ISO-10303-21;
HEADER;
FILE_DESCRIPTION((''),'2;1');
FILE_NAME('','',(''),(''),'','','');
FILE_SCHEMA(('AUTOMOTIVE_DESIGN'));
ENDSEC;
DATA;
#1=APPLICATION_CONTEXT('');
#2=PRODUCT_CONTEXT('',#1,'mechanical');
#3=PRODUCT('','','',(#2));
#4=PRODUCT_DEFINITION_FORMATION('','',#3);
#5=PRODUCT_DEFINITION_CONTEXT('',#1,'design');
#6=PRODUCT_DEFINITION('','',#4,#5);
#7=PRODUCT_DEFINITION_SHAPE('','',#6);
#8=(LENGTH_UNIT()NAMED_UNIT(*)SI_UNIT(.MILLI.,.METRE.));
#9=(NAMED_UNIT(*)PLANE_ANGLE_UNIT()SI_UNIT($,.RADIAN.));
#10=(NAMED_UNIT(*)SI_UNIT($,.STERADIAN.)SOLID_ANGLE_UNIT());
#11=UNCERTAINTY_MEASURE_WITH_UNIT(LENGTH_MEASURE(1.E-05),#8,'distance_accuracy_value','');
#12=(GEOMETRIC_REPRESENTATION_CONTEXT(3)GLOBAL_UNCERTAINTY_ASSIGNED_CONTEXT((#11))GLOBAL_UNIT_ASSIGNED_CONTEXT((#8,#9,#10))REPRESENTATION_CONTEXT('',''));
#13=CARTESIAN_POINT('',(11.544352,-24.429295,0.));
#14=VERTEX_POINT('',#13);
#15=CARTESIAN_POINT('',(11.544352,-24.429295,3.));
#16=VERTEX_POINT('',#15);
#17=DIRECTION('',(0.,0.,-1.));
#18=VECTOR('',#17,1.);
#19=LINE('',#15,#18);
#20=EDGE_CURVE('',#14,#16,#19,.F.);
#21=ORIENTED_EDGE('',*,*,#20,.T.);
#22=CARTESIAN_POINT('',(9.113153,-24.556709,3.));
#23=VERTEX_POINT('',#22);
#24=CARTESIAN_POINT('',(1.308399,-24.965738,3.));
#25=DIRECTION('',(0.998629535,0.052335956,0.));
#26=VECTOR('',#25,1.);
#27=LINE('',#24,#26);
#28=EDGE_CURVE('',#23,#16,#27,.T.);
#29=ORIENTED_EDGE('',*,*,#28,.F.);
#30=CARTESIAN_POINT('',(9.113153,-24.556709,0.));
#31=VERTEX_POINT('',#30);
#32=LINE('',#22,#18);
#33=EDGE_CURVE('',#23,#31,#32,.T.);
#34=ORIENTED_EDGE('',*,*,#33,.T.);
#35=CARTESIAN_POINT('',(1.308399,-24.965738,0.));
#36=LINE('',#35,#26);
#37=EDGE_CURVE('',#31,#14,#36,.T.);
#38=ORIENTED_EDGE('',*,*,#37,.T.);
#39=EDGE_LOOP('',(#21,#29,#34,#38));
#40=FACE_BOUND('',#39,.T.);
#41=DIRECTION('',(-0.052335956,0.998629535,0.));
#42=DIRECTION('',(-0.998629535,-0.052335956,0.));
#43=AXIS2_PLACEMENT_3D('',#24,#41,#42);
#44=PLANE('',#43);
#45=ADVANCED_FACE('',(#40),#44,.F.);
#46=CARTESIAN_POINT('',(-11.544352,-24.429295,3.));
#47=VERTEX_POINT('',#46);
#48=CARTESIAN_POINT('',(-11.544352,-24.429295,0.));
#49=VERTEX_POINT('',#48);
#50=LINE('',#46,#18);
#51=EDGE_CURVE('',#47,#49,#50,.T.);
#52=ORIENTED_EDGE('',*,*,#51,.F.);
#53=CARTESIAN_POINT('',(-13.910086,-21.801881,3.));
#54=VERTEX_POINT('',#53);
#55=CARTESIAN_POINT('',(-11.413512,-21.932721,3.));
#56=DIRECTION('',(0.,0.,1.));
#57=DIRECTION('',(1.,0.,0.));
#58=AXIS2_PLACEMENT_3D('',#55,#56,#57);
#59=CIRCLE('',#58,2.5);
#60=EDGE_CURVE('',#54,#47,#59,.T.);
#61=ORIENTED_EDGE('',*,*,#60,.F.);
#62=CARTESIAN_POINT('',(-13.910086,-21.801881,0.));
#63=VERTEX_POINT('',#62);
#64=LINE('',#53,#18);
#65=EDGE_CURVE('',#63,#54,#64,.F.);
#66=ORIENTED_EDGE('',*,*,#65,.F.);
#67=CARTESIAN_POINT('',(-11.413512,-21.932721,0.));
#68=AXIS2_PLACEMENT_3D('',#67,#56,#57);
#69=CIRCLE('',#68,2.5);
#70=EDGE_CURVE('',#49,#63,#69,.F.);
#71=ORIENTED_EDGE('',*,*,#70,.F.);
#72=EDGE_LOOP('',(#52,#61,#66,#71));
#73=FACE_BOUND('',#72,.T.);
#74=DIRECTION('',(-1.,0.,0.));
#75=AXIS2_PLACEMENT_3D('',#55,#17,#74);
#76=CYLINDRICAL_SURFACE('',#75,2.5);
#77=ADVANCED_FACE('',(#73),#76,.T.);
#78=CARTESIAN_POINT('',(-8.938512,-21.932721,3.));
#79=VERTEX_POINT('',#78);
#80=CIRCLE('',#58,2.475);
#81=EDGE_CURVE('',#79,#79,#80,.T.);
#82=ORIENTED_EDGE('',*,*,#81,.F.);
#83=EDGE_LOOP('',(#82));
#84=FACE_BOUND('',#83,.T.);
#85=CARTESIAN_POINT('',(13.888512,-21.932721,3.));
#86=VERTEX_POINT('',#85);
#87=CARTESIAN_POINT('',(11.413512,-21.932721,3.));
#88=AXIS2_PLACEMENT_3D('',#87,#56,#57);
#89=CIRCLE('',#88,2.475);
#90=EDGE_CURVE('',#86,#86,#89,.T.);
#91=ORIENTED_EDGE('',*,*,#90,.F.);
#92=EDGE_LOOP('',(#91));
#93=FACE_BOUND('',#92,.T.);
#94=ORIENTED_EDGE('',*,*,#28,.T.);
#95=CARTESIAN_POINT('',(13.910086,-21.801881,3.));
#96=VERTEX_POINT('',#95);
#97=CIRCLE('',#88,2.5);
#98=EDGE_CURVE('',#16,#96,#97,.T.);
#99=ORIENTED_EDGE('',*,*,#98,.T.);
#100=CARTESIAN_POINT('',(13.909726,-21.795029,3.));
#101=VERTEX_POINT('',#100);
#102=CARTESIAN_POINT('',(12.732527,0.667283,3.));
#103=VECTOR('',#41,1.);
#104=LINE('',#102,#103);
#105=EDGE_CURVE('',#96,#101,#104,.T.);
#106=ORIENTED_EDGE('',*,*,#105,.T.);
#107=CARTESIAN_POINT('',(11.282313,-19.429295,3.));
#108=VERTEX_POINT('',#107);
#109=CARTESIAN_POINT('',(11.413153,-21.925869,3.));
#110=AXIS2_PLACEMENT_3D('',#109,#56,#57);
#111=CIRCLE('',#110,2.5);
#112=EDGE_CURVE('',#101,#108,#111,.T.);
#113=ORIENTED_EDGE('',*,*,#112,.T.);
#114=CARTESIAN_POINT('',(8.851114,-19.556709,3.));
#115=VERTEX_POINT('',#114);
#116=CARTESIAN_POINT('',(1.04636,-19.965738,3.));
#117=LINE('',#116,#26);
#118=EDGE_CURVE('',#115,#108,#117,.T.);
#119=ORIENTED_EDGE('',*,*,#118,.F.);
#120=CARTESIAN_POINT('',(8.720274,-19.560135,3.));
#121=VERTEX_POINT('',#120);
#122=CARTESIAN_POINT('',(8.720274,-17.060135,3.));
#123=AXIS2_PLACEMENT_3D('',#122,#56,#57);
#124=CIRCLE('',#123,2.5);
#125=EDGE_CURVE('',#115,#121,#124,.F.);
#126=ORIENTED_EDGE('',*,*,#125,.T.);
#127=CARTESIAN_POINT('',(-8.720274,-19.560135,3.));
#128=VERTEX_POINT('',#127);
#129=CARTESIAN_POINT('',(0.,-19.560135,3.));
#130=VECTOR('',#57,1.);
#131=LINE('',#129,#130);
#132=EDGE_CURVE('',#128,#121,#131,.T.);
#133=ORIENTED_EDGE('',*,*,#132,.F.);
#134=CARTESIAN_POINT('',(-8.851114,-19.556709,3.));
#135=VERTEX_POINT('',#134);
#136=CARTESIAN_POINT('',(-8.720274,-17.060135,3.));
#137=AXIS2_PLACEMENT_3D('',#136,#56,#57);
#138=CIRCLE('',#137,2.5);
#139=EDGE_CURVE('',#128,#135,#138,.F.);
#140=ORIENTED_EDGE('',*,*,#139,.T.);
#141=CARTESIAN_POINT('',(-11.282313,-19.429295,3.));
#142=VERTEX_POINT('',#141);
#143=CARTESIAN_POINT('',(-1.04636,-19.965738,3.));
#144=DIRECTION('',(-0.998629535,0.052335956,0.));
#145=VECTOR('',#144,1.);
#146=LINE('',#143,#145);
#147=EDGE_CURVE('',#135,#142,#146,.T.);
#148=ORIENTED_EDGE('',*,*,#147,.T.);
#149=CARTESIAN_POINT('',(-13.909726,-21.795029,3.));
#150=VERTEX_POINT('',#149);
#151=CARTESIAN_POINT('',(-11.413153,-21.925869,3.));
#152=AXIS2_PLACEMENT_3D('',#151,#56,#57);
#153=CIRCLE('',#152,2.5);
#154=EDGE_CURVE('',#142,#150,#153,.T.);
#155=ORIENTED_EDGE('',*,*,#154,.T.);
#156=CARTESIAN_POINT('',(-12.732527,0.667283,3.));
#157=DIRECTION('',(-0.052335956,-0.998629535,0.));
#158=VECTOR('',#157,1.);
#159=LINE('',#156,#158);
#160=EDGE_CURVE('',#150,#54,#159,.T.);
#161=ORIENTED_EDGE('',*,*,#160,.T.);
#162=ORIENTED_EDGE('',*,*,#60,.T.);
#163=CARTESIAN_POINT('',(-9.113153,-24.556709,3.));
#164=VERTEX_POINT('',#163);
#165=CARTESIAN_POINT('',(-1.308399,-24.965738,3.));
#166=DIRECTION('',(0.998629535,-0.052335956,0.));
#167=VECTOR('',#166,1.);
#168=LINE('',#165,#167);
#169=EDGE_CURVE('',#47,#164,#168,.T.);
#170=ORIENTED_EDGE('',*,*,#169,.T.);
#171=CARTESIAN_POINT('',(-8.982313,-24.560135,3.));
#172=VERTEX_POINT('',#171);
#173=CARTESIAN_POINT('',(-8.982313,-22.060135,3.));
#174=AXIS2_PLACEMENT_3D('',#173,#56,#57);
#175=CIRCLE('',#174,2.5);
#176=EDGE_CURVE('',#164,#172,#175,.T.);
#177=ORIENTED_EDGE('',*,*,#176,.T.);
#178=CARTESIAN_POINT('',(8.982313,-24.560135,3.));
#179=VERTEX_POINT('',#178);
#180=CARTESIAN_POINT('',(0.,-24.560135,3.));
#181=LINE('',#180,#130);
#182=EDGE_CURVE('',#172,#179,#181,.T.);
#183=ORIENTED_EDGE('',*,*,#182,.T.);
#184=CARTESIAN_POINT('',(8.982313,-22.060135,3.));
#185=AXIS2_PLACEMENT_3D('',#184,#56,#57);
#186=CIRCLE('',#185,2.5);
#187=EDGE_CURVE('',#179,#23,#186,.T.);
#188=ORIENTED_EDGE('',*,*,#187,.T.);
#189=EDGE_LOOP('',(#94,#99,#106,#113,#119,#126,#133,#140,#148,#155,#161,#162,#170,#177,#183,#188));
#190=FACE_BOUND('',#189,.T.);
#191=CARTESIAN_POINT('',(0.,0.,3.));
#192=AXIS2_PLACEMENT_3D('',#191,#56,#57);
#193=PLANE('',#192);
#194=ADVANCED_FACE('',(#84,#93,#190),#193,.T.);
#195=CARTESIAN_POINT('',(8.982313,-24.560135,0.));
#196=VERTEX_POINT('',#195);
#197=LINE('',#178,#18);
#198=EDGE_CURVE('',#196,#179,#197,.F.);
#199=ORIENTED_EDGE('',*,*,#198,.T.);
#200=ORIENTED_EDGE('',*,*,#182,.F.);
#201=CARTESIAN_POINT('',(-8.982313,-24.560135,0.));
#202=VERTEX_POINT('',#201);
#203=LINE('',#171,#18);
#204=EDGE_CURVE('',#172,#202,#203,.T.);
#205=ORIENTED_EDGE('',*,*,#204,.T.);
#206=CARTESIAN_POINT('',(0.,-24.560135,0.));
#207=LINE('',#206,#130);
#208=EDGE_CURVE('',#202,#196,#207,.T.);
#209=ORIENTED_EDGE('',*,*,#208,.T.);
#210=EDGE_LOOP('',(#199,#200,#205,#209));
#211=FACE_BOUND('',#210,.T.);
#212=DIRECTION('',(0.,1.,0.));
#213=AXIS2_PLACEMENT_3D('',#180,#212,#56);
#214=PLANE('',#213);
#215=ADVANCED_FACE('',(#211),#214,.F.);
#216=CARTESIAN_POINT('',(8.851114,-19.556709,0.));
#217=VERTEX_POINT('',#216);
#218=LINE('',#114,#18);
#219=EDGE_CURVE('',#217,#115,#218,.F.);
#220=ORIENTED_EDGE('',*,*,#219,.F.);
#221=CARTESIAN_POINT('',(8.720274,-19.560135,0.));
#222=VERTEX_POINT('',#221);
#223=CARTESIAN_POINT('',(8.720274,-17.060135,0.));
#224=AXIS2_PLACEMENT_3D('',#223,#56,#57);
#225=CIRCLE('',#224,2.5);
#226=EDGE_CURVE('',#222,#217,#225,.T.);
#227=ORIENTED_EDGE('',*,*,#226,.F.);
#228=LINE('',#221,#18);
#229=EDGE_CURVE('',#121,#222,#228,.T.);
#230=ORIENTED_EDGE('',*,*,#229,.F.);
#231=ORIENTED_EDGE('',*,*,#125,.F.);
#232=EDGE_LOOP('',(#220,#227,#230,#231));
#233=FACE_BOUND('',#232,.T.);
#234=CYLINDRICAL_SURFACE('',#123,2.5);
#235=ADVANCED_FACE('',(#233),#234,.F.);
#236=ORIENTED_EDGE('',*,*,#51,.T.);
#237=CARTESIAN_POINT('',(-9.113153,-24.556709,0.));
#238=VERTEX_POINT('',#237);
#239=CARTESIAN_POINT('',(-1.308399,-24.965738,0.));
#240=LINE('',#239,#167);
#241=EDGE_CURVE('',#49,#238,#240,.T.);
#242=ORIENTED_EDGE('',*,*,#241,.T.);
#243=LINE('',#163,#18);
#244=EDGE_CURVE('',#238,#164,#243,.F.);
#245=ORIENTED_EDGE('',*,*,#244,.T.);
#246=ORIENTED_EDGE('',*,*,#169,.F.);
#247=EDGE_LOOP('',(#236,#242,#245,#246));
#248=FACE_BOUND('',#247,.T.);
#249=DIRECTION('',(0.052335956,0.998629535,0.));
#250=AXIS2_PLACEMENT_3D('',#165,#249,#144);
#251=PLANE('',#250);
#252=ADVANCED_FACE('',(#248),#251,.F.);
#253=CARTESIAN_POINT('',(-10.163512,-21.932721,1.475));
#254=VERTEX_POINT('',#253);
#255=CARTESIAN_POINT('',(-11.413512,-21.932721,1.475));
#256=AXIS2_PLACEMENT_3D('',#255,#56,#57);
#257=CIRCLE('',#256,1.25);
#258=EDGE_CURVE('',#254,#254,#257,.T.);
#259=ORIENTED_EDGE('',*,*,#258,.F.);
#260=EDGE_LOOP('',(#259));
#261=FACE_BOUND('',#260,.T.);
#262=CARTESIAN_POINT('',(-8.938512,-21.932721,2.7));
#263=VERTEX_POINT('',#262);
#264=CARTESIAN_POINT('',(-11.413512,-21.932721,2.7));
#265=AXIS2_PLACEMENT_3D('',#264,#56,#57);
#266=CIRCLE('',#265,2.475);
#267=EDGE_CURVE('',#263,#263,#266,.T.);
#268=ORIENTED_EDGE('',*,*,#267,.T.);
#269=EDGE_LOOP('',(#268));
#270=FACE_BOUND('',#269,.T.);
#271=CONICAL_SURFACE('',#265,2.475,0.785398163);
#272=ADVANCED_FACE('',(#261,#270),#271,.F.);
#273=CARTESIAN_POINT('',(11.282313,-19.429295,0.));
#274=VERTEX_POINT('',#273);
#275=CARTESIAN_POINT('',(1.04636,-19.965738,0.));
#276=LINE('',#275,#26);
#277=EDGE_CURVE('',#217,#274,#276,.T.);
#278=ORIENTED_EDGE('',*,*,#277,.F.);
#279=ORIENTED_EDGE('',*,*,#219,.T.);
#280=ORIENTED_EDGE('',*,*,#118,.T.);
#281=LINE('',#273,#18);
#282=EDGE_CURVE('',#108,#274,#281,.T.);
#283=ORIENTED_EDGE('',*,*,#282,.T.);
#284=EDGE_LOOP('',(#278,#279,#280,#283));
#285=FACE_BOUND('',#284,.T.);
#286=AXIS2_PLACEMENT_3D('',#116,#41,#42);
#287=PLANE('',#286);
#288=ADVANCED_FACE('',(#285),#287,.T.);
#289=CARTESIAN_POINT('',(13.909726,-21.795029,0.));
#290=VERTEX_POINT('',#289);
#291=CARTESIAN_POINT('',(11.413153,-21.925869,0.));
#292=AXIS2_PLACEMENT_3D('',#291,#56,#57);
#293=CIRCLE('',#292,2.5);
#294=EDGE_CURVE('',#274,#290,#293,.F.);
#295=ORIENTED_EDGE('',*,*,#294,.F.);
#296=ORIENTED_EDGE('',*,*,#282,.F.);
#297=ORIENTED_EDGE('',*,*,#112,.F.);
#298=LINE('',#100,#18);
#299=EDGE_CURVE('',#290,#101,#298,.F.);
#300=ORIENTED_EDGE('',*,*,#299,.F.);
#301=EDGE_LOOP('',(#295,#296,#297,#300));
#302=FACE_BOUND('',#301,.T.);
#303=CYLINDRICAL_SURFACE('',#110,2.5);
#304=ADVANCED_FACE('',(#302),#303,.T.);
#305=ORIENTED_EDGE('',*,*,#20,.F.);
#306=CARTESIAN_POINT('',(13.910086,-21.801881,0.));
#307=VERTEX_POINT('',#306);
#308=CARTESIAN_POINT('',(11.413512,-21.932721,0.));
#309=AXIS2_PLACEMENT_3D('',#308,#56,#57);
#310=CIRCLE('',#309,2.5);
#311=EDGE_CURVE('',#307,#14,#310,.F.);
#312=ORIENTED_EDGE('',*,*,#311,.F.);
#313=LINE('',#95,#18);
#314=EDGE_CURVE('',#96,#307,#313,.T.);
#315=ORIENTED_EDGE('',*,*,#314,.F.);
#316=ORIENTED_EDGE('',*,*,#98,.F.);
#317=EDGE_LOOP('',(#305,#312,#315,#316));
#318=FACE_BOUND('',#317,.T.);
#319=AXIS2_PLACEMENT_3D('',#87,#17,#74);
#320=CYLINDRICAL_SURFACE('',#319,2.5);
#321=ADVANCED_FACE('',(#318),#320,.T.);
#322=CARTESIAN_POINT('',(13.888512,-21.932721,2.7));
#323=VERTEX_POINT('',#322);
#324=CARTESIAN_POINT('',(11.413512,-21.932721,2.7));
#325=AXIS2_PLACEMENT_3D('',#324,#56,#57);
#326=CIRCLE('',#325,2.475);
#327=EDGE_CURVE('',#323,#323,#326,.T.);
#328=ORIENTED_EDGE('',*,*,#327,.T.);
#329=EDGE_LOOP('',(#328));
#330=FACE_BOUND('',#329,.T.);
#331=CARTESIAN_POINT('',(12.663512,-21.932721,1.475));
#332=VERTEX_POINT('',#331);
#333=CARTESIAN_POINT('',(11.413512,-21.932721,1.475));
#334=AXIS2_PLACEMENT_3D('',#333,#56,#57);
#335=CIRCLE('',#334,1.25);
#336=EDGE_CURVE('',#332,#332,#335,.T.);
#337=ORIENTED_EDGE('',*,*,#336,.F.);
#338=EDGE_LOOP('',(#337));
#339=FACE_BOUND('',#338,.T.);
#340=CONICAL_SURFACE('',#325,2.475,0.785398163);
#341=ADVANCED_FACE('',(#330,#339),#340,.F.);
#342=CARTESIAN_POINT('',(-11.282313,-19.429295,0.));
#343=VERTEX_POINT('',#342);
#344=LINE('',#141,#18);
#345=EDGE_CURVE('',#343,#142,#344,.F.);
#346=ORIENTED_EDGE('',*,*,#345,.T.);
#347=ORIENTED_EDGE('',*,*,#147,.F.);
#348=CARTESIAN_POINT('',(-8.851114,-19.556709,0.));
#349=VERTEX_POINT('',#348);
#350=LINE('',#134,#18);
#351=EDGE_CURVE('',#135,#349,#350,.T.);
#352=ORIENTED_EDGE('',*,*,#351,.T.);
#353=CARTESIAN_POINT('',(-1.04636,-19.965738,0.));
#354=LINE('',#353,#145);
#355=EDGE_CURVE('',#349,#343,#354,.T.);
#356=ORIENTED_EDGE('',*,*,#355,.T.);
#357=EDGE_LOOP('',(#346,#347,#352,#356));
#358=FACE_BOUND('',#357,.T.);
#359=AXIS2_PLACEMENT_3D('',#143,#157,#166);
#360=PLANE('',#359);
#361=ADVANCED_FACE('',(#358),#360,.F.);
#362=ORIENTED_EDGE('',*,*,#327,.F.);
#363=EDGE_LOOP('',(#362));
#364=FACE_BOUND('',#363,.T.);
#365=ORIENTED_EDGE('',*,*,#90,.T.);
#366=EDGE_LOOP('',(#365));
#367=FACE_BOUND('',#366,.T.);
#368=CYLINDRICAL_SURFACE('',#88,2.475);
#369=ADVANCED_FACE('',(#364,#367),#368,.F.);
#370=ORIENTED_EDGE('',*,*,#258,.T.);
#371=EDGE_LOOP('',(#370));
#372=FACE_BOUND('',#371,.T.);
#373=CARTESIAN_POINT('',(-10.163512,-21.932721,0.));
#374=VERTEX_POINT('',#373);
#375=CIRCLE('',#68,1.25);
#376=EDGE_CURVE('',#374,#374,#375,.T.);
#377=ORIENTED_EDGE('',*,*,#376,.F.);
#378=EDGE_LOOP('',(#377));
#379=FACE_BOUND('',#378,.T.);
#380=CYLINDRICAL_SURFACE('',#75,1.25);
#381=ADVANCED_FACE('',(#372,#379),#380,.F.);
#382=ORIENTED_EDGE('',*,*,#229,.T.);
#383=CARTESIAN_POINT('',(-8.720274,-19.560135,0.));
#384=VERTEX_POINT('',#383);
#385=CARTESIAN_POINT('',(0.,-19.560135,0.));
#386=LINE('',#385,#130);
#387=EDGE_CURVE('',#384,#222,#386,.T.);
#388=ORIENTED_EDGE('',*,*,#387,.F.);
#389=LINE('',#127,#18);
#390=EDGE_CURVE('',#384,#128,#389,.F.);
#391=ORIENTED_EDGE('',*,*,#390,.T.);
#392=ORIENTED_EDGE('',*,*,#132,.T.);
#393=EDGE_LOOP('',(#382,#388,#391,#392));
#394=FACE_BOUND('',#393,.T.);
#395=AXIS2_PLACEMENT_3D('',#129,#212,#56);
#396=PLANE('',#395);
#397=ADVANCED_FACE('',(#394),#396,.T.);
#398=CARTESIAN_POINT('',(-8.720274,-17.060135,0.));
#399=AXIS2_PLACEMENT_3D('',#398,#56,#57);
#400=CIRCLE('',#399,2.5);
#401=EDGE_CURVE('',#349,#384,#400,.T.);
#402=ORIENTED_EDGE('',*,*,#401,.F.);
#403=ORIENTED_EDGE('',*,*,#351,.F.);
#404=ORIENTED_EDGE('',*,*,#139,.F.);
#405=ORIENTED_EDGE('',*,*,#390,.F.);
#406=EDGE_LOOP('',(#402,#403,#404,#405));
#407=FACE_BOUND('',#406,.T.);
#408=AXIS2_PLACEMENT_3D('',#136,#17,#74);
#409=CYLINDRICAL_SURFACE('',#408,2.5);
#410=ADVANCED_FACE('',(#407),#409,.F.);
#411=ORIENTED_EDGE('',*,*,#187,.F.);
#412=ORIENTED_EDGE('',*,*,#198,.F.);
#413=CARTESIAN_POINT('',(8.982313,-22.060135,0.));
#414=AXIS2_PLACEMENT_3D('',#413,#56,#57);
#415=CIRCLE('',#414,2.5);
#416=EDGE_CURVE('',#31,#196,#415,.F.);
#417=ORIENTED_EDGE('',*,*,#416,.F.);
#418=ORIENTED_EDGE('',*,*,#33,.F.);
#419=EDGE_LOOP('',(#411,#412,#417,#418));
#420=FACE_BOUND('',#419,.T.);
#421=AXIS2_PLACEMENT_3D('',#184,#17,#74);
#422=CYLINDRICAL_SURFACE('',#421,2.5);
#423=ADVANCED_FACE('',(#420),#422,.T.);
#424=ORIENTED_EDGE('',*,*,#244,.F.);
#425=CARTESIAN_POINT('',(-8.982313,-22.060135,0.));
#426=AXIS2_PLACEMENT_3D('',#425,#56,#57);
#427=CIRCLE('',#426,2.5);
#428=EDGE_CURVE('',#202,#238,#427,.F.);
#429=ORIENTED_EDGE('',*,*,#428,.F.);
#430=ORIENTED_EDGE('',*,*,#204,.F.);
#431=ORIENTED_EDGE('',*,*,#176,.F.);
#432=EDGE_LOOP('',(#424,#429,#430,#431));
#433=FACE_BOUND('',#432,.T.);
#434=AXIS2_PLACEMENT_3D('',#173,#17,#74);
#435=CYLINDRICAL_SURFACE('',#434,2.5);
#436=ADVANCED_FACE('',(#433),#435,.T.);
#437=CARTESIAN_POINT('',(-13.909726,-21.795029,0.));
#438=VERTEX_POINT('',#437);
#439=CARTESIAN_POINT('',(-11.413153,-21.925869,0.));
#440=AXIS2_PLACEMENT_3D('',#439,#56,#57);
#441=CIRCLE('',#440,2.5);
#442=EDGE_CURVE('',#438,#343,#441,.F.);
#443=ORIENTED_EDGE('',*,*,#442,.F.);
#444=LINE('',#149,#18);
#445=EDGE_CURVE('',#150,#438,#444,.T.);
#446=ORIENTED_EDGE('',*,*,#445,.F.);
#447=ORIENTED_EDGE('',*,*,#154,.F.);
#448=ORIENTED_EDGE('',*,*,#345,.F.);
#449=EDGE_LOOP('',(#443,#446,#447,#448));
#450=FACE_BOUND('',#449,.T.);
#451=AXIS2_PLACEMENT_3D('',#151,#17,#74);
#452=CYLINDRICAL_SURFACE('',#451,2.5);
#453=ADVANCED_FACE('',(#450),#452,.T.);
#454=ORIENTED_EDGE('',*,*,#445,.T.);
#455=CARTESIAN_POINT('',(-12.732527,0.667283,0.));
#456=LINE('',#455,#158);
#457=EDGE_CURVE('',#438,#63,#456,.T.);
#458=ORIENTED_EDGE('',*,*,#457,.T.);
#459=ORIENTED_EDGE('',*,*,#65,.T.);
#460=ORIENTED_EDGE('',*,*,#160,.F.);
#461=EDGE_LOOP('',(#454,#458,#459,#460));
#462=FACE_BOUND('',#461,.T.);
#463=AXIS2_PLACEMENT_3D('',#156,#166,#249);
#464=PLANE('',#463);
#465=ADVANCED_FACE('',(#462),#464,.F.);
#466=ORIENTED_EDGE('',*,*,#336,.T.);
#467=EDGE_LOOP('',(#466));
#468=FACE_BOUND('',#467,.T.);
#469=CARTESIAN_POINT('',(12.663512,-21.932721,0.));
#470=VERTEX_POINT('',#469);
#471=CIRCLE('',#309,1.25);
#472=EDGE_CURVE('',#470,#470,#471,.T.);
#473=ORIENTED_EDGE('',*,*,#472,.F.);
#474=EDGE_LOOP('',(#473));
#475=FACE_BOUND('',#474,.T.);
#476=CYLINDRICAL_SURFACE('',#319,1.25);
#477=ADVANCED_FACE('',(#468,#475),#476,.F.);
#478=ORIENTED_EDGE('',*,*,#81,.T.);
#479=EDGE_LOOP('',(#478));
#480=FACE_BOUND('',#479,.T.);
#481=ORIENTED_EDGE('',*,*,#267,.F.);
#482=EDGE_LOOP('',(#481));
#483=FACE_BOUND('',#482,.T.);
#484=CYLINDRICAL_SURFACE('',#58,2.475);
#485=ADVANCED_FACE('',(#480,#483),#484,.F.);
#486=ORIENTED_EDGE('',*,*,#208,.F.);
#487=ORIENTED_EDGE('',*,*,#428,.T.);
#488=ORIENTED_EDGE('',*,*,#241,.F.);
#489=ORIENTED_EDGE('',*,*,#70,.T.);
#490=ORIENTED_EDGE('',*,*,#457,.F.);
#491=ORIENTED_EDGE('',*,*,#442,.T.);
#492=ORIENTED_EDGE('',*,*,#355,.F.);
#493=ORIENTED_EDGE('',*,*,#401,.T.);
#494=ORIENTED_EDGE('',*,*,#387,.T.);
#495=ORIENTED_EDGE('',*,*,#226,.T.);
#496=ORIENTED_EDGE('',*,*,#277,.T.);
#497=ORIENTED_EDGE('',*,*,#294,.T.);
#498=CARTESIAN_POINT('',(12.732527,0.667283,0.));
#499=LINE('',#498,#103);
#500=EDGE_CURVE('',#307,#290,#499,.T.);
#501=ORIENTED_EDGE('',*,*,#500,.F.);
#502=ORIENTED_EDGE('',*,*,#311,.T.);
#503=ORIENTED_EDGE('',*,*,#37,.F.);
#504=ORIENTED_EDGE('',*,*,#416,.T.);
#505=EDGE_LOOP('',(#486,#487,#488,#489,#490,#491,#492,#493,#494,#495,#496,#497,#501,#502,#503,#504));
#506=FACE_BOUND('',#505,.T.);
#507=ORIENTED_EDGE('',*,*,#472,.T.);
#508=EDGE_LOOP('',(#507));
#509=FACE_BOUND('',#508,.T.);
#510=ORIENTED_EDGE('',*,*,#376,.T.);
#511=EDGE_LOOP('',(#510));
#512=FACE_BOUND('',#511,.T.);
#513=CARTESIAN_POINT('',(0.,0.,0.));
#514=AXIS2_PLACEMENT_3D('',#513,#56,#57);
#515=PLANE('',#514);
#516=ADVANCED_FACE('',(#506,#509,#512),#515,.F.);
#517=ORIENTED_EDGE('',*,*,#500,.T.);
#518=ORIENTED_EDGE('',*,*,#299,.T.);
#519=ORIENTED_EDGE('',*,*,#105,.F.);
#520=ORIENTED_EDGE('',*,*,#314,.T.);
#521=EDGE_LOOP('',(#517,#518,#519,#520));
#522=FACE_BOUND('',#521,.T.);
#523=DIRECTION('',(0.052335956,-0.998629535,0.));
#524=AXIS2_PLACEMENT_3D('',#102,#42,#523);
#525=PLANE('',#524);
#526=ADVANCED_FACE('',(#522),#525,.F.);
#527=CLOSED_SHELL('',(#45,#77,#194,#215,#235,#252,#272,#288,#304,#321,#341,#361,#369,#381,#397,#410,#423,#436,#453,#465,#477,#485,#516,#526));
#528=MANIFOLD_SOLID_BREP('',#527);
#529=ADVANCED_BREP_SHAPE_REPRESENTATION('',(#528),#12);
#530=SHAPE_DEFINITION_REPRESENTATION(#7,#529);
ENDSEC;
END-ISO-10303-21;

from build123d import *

# Parameters (mm, degrees)
SKETCH1_R                                      = 1.25
BOSS_EXTRUDE1_DEPTH                            = 3
FILLET1_R                                      = 2.5
CSK_FOR_M2_5_FLAT_HEAD_MACHINE_SCREW2_AT_COUNT = 2
CSK_FOR_M2_5_FLAT_HEAD_MACHINE_SCREW2_AT_PITCH = 22.827023493


with BuildPart() as part:
    # Sketch1 → Boss-Extrude1 (new body)
    with BuildSketch(Plane.XY):
        Polygon((-14.040925474, -24.298454927), (-9.0477778, -24.560134708), (9.0477778, -24.560134708), (14.040925474, -24.298454927), (13.778886578, -19.298454927), (8.785738904, -19.560134708), (-8.785738904, -19.560134708), (-13.778886578, -19.298454927), align=None)
        with Locations((11.413511747, -21.93272098)):
            Circle(SKETCH1_R, mode=Mode.SUBTRACT)
        with Locations((-11.413511747, -21.93272098)):
            Circle(SKETCH1_R, mode=Mode.SUBTRACT)
    extrude(amount=BOSS_EXTRUDE1_DEPTH)

    # Fillet1
    fillet1_edges = [part.edges().sort_by_distance(p)[0] for p in [
        (-9.0477778, -24.560134708, 1.5),
        (-14.040925474, -24.298454927, 1.5),
        (-13.778886578, -19.298454927, 1.5),
        (-8.785738904, -19.560134708, 1.5),
        (8.785738904, -19.560134708, 1.5),
        (13.778886578, -19.298454927, 1.5),
        (14.040925474, -24.298454927, 1.5),
        (9.0477778, -24.560134708, 1.5),
    ]]
    fillet(fillet1_edges, radius=FILLET1_R)

    # Sketch5 → CSK for M2.5 Flat Head Machine Screw2 (revolve, cut)
    with BuildSketch(Plane(origin=(-11.413511747, -21.93272098, 3), x_dir=(0, -1, 0), z_dir=(1, 0, 0))):
        Polygon((0, 0), (0, 5.751075774), (1.25, 5), (1.25, 1.525), (2.475, 0.3), (2.475, 0), align=None)
    csk_for_m2_5_flat_head_machine_screw2 = revolve(axis=Axis((-11.413511747, -21.93272098, 9.35), (0, 0, -1)), mode=Mode.SUBTRACT)

    # CSK for M2.5 Flat Head Machine Screw2 at: CSK for M2.5 Flat Head Machine Screw2 ×2
    with Locations(*[(i * CSK_FOR_M2_5_FLAT_HEAD_MACHINE_SCREW2_AT_PITCH, 0, 0) for i in range(1, CSK_FOR_M2_5_FLAT_HEAD_MACHINE_SCREW2_AT_COUNT)]):
        add(csk_for_m2_5_flat_head_machine_screw2, mode=Mode.SUBTRACT)


solid = part.part
